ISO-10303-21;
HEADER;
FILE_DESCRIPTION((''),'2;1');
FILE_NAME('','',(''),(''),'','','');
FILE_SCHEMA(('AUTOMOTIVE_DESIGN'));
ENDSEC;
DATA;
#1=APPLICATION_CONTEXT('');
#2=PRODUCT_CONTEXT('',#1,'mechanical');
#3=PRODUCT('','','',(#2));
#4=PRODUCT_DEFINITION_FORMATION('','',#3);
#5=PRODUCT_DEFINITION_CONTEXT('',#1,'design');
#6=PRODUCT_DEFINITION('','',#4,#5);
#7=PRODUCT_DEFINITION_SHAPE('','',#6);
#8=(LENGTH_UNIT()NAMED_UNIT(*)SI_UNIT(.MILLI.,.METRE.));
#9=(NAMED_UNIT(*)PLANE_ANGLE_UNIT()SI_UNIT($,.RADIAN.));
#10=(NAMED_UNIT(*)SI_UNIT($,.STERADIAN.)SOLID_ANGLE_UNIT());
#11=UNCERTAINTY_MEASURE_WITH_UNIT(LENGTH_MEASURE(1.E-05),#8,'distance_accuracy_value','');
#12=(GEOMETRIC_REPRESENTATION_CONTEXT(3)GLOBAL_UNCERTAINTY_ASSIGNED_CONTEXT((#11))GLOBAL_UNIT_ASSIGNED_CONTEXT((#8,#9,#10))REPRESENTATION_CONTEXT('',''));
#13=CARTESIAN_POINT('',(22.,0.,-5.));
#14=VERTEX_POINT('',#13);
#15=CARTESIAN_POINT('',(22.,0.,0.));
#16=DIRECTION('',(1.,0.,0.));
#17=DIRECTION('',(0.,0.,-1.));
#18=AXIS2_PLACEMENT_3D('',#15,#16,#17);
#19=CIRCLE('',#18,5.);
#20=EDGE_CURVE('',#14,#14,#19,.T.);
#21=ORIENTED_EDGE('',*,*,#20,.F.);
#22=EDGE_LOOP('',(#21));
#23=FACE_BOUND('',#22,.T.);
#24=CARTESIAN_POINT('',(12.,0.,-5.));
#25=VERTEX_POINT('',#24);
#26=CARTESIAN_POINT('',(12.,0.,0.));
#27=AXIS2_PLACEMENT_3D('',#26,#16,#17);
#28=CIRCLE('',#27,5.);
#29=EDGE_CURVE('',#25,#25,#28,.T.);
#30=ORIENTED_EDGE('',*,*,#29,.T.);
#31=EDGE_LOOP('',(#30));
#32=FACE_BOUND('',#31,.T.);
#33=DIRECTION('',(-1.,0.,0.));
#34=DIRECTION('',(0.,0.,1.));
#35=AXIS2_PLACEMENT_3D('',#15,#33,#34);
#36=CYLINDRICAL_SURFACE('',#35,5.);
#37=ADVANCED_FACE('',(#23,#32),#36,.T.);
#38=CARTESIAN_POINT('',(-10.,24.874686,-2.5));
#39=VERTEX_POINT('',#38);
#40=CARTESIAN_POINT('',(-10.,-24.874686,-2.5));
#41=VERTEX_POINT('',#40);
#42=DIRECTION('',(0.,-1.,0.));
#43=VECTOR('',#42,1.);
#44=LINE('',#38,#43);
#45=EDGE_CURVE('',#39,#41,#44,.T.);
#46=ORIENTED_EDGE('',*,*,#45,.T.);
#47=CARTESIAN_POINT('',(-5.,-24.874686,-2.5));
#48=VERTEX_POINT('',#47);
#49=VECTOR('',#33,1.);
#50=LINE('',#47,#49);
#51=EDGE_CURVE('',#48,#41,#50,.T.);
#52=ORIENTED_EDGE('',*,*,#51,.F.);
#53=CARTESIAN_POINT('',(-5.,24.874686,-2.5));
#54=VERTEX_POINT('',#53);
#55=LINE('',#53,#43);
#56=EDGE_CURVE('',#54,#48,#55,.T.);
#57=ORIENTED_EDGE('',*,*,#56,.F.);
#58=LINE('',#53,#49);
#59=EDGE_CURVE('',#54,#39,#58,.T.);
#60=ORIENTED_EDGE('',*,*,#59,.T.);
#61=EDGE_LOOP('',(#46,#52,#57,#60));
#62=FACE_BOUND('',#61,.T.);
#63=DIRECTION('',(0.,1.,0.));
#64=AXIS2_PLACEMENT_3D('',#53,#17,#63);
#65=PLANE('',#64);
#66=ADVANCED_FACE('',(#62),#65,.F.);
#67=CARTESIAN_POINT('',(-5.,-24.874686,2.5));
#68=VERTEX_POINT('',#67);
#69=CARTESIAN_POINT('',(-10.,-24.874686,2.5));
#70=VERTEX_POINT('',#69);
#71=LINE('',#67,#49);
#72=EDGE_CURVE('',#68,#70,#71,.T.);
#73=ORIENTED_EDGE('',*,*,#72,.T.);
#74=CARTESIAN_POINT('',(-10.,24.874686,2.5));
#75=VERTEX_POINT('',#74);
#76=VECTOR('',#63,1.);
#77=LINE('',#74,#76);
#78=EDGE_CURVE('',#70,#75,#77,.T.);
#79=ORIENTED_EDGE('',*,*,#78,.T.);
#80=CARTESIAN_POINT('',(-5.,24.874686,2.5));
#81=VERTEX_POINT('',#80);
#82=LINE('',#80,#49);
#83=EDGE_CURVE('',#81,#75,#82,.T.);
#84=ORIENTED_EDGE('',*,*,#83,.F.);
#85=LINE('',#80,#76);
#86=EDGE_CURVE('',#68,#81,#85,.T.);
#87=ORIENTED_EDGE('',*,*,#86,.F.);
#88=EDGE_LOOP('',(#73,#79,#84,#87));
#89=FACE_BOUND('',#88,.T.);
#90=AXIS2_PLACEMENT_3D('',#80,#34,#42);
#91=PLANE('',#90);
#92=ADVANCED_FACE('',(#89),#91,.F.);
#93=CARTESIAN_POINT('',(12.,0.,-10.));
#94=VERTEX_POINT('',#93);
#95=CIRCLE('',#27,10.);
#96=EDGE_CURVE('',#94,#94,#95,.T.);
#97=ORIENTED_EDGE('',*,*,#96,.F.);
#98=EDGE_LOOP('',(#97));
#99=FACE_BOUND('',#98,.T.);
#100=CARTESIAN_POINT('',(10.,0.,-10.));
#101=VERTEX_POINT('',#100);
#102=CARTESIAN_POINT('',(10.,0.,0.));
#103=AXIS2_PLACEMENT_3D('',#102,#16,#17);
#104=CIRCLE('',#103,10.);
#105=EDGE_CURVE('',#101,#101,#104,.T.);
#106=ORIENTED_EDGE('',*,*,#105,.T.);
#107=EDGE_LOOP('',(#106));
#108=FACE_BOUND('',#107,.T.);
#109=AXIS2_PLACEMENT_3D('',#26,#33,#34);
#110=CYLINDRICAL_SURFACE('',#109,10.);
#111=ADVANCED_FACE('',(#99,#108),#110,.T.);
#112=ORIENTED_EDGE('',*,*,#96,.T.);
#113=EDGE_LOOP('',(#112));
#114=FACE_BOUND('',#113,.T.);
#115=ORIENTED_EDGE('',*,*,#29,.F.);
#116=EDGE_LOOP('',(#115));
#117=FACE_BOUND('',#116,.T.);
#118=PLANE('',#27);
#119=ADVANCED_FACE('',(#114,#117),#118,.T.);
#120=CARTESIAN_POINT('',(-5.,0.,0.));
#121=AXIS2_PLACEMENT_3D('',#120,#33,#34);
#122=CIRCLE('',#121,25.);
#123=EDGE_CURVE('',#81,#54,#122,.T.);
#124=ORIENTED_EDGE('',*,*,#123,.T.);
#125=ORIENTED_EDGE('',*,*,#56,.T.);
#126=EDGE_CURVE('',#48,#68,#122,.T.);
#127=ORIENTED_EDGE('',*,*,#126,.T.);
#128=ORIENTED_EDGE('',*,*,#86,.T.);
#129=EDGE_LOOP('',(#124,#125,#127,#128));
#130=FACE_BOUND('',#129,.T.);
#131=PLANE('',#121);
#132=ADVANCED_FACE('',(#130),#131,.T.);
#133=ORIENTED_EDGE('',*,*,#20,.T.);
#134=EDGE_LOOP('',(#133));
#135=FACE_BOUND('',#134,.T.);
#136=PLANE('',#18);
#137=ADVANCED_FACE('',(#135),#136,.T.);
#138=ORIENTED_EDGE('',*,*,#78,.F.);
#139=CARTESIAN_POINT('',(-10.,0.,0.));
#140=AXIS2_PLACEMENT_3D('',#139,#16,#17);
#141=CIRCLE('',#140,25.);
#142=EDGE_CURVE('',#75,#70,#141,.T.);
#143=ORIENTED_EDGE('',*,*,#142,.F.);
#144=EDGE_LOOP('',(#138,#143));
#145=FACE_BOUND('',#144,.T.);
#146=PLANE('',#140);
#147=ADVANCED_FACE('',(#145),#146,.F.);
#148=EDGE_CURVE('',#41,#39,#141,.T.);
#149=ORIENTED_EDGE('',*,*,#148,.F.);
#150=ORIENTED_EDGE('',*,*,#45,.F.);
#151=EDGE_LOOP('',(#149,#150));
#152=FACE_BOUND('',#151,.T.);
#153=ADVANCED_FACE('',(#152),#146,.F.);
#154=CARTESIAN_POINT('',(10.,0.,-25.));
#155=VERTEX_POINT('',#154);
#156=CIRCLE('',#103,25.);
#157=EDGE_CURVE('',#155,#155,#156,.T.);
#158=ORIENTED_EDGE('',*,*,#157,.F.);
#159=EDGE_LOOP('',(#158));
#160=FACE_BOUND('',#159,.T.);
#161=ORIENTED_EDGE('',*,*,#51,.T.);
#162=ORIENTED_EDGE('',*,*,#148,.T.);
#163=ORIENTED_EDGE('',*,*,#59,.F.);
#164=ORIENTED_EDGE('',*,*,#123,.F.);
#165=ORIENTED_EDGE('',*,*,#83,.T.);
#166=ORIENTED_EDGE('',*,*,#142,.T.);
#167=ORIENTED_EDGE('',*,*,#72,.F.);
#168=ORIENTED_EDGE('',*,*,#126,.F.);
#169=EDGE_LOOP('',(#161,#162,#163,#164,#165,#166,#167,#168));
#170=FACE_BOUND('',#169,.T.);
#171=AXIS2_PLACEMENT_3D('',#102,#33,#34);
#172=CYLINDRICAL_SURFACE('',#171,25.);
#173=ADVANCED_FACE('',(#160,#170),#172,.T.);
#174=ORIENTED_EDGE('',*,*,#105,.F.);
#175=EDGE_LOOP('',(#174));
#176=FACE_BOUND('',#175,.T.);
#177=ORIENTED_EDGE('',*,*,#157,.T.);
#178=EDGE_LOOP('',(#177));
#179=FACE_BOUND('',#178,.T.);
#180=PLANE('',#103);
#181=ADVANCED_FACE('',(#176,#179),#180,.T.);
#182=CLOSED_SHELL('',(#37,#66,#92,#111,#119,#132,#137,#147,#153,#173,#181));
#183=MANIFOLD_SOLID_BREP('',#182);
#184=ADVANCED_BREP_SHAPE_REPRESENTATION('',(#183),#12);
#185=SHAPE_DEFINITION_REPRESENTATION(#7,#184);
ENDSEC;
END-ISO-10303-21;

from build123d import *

# Parameters (mm, degrees)
SKETCH1_R           = 25
BOSS_EXTRUDE1_DEPTH = 10
SKETCH2_R           = 5
BOSS_EXTRUDE2_DEPTH = 12
CUT_EXTRUDE1_START  = -5
CUT_EXTRUDE1_DEPTH  = 5
SKETCH4_R           = 10
BOSS_EXTRUDE3_DEPTH = 2


with BuildPart() as part:
    # Sketch1 → Boss-Extrude1 (new, symmetric)
    with BuildSketch(Plane(origin=(0, 0, 0), x_dir=(0, 0, -1), z_dir=(1, 0, 0))):
        Circle(SKETCH1_R)
    extrude(amount=BOSS_EXTRUDE1_DEPTH, both=True)

    # Sketch2 → Boss-Extrude2 (add)
    with BuildSketch(Plane(origin=(10, 0, 0), x_dir=(0, 0, -1), z_dir=(1, 0, 0))):
        Circle(SKETCH2_R)
    extrude(amount=BOSS_EXTRUDE2_DEPTH)

    # Sketch3 → Cut-Extrude1 (cut)
    with BuildSketch(Plane.ZY.offset(10).offset(CUT_EXTRUDE1_START)):
        with BuildLine():
            Line((2.5, 24.874685928), (2.5, -24.874685928))
            ThreePointArc((2.5, -24.874685928), (0, -25), (-2.5, -24.874685928))
            Line((-2.5, -24.874685928), (-2.5, 24.874685928))
            ThreePointArc((-2.5, 24.874685928), (0, 25), (2.5, 24.874685928))
        make_face()
    extrude(amount=CUT_EXTRUDE1_DEPTH, mode=Mode.SUBTRACT)

    # Sketch4 → Boss-Extrude3 (add)
    with BuildSketch(Plane(origin=(10, 0, 0), x_dir=(0, 0, -1), z_dir=(1, 0, 0))):
        Circle(SKETCH4_R)
    extrude(amount=BOSS_EXTRUDE3_DEPTH)


solid = part.part
